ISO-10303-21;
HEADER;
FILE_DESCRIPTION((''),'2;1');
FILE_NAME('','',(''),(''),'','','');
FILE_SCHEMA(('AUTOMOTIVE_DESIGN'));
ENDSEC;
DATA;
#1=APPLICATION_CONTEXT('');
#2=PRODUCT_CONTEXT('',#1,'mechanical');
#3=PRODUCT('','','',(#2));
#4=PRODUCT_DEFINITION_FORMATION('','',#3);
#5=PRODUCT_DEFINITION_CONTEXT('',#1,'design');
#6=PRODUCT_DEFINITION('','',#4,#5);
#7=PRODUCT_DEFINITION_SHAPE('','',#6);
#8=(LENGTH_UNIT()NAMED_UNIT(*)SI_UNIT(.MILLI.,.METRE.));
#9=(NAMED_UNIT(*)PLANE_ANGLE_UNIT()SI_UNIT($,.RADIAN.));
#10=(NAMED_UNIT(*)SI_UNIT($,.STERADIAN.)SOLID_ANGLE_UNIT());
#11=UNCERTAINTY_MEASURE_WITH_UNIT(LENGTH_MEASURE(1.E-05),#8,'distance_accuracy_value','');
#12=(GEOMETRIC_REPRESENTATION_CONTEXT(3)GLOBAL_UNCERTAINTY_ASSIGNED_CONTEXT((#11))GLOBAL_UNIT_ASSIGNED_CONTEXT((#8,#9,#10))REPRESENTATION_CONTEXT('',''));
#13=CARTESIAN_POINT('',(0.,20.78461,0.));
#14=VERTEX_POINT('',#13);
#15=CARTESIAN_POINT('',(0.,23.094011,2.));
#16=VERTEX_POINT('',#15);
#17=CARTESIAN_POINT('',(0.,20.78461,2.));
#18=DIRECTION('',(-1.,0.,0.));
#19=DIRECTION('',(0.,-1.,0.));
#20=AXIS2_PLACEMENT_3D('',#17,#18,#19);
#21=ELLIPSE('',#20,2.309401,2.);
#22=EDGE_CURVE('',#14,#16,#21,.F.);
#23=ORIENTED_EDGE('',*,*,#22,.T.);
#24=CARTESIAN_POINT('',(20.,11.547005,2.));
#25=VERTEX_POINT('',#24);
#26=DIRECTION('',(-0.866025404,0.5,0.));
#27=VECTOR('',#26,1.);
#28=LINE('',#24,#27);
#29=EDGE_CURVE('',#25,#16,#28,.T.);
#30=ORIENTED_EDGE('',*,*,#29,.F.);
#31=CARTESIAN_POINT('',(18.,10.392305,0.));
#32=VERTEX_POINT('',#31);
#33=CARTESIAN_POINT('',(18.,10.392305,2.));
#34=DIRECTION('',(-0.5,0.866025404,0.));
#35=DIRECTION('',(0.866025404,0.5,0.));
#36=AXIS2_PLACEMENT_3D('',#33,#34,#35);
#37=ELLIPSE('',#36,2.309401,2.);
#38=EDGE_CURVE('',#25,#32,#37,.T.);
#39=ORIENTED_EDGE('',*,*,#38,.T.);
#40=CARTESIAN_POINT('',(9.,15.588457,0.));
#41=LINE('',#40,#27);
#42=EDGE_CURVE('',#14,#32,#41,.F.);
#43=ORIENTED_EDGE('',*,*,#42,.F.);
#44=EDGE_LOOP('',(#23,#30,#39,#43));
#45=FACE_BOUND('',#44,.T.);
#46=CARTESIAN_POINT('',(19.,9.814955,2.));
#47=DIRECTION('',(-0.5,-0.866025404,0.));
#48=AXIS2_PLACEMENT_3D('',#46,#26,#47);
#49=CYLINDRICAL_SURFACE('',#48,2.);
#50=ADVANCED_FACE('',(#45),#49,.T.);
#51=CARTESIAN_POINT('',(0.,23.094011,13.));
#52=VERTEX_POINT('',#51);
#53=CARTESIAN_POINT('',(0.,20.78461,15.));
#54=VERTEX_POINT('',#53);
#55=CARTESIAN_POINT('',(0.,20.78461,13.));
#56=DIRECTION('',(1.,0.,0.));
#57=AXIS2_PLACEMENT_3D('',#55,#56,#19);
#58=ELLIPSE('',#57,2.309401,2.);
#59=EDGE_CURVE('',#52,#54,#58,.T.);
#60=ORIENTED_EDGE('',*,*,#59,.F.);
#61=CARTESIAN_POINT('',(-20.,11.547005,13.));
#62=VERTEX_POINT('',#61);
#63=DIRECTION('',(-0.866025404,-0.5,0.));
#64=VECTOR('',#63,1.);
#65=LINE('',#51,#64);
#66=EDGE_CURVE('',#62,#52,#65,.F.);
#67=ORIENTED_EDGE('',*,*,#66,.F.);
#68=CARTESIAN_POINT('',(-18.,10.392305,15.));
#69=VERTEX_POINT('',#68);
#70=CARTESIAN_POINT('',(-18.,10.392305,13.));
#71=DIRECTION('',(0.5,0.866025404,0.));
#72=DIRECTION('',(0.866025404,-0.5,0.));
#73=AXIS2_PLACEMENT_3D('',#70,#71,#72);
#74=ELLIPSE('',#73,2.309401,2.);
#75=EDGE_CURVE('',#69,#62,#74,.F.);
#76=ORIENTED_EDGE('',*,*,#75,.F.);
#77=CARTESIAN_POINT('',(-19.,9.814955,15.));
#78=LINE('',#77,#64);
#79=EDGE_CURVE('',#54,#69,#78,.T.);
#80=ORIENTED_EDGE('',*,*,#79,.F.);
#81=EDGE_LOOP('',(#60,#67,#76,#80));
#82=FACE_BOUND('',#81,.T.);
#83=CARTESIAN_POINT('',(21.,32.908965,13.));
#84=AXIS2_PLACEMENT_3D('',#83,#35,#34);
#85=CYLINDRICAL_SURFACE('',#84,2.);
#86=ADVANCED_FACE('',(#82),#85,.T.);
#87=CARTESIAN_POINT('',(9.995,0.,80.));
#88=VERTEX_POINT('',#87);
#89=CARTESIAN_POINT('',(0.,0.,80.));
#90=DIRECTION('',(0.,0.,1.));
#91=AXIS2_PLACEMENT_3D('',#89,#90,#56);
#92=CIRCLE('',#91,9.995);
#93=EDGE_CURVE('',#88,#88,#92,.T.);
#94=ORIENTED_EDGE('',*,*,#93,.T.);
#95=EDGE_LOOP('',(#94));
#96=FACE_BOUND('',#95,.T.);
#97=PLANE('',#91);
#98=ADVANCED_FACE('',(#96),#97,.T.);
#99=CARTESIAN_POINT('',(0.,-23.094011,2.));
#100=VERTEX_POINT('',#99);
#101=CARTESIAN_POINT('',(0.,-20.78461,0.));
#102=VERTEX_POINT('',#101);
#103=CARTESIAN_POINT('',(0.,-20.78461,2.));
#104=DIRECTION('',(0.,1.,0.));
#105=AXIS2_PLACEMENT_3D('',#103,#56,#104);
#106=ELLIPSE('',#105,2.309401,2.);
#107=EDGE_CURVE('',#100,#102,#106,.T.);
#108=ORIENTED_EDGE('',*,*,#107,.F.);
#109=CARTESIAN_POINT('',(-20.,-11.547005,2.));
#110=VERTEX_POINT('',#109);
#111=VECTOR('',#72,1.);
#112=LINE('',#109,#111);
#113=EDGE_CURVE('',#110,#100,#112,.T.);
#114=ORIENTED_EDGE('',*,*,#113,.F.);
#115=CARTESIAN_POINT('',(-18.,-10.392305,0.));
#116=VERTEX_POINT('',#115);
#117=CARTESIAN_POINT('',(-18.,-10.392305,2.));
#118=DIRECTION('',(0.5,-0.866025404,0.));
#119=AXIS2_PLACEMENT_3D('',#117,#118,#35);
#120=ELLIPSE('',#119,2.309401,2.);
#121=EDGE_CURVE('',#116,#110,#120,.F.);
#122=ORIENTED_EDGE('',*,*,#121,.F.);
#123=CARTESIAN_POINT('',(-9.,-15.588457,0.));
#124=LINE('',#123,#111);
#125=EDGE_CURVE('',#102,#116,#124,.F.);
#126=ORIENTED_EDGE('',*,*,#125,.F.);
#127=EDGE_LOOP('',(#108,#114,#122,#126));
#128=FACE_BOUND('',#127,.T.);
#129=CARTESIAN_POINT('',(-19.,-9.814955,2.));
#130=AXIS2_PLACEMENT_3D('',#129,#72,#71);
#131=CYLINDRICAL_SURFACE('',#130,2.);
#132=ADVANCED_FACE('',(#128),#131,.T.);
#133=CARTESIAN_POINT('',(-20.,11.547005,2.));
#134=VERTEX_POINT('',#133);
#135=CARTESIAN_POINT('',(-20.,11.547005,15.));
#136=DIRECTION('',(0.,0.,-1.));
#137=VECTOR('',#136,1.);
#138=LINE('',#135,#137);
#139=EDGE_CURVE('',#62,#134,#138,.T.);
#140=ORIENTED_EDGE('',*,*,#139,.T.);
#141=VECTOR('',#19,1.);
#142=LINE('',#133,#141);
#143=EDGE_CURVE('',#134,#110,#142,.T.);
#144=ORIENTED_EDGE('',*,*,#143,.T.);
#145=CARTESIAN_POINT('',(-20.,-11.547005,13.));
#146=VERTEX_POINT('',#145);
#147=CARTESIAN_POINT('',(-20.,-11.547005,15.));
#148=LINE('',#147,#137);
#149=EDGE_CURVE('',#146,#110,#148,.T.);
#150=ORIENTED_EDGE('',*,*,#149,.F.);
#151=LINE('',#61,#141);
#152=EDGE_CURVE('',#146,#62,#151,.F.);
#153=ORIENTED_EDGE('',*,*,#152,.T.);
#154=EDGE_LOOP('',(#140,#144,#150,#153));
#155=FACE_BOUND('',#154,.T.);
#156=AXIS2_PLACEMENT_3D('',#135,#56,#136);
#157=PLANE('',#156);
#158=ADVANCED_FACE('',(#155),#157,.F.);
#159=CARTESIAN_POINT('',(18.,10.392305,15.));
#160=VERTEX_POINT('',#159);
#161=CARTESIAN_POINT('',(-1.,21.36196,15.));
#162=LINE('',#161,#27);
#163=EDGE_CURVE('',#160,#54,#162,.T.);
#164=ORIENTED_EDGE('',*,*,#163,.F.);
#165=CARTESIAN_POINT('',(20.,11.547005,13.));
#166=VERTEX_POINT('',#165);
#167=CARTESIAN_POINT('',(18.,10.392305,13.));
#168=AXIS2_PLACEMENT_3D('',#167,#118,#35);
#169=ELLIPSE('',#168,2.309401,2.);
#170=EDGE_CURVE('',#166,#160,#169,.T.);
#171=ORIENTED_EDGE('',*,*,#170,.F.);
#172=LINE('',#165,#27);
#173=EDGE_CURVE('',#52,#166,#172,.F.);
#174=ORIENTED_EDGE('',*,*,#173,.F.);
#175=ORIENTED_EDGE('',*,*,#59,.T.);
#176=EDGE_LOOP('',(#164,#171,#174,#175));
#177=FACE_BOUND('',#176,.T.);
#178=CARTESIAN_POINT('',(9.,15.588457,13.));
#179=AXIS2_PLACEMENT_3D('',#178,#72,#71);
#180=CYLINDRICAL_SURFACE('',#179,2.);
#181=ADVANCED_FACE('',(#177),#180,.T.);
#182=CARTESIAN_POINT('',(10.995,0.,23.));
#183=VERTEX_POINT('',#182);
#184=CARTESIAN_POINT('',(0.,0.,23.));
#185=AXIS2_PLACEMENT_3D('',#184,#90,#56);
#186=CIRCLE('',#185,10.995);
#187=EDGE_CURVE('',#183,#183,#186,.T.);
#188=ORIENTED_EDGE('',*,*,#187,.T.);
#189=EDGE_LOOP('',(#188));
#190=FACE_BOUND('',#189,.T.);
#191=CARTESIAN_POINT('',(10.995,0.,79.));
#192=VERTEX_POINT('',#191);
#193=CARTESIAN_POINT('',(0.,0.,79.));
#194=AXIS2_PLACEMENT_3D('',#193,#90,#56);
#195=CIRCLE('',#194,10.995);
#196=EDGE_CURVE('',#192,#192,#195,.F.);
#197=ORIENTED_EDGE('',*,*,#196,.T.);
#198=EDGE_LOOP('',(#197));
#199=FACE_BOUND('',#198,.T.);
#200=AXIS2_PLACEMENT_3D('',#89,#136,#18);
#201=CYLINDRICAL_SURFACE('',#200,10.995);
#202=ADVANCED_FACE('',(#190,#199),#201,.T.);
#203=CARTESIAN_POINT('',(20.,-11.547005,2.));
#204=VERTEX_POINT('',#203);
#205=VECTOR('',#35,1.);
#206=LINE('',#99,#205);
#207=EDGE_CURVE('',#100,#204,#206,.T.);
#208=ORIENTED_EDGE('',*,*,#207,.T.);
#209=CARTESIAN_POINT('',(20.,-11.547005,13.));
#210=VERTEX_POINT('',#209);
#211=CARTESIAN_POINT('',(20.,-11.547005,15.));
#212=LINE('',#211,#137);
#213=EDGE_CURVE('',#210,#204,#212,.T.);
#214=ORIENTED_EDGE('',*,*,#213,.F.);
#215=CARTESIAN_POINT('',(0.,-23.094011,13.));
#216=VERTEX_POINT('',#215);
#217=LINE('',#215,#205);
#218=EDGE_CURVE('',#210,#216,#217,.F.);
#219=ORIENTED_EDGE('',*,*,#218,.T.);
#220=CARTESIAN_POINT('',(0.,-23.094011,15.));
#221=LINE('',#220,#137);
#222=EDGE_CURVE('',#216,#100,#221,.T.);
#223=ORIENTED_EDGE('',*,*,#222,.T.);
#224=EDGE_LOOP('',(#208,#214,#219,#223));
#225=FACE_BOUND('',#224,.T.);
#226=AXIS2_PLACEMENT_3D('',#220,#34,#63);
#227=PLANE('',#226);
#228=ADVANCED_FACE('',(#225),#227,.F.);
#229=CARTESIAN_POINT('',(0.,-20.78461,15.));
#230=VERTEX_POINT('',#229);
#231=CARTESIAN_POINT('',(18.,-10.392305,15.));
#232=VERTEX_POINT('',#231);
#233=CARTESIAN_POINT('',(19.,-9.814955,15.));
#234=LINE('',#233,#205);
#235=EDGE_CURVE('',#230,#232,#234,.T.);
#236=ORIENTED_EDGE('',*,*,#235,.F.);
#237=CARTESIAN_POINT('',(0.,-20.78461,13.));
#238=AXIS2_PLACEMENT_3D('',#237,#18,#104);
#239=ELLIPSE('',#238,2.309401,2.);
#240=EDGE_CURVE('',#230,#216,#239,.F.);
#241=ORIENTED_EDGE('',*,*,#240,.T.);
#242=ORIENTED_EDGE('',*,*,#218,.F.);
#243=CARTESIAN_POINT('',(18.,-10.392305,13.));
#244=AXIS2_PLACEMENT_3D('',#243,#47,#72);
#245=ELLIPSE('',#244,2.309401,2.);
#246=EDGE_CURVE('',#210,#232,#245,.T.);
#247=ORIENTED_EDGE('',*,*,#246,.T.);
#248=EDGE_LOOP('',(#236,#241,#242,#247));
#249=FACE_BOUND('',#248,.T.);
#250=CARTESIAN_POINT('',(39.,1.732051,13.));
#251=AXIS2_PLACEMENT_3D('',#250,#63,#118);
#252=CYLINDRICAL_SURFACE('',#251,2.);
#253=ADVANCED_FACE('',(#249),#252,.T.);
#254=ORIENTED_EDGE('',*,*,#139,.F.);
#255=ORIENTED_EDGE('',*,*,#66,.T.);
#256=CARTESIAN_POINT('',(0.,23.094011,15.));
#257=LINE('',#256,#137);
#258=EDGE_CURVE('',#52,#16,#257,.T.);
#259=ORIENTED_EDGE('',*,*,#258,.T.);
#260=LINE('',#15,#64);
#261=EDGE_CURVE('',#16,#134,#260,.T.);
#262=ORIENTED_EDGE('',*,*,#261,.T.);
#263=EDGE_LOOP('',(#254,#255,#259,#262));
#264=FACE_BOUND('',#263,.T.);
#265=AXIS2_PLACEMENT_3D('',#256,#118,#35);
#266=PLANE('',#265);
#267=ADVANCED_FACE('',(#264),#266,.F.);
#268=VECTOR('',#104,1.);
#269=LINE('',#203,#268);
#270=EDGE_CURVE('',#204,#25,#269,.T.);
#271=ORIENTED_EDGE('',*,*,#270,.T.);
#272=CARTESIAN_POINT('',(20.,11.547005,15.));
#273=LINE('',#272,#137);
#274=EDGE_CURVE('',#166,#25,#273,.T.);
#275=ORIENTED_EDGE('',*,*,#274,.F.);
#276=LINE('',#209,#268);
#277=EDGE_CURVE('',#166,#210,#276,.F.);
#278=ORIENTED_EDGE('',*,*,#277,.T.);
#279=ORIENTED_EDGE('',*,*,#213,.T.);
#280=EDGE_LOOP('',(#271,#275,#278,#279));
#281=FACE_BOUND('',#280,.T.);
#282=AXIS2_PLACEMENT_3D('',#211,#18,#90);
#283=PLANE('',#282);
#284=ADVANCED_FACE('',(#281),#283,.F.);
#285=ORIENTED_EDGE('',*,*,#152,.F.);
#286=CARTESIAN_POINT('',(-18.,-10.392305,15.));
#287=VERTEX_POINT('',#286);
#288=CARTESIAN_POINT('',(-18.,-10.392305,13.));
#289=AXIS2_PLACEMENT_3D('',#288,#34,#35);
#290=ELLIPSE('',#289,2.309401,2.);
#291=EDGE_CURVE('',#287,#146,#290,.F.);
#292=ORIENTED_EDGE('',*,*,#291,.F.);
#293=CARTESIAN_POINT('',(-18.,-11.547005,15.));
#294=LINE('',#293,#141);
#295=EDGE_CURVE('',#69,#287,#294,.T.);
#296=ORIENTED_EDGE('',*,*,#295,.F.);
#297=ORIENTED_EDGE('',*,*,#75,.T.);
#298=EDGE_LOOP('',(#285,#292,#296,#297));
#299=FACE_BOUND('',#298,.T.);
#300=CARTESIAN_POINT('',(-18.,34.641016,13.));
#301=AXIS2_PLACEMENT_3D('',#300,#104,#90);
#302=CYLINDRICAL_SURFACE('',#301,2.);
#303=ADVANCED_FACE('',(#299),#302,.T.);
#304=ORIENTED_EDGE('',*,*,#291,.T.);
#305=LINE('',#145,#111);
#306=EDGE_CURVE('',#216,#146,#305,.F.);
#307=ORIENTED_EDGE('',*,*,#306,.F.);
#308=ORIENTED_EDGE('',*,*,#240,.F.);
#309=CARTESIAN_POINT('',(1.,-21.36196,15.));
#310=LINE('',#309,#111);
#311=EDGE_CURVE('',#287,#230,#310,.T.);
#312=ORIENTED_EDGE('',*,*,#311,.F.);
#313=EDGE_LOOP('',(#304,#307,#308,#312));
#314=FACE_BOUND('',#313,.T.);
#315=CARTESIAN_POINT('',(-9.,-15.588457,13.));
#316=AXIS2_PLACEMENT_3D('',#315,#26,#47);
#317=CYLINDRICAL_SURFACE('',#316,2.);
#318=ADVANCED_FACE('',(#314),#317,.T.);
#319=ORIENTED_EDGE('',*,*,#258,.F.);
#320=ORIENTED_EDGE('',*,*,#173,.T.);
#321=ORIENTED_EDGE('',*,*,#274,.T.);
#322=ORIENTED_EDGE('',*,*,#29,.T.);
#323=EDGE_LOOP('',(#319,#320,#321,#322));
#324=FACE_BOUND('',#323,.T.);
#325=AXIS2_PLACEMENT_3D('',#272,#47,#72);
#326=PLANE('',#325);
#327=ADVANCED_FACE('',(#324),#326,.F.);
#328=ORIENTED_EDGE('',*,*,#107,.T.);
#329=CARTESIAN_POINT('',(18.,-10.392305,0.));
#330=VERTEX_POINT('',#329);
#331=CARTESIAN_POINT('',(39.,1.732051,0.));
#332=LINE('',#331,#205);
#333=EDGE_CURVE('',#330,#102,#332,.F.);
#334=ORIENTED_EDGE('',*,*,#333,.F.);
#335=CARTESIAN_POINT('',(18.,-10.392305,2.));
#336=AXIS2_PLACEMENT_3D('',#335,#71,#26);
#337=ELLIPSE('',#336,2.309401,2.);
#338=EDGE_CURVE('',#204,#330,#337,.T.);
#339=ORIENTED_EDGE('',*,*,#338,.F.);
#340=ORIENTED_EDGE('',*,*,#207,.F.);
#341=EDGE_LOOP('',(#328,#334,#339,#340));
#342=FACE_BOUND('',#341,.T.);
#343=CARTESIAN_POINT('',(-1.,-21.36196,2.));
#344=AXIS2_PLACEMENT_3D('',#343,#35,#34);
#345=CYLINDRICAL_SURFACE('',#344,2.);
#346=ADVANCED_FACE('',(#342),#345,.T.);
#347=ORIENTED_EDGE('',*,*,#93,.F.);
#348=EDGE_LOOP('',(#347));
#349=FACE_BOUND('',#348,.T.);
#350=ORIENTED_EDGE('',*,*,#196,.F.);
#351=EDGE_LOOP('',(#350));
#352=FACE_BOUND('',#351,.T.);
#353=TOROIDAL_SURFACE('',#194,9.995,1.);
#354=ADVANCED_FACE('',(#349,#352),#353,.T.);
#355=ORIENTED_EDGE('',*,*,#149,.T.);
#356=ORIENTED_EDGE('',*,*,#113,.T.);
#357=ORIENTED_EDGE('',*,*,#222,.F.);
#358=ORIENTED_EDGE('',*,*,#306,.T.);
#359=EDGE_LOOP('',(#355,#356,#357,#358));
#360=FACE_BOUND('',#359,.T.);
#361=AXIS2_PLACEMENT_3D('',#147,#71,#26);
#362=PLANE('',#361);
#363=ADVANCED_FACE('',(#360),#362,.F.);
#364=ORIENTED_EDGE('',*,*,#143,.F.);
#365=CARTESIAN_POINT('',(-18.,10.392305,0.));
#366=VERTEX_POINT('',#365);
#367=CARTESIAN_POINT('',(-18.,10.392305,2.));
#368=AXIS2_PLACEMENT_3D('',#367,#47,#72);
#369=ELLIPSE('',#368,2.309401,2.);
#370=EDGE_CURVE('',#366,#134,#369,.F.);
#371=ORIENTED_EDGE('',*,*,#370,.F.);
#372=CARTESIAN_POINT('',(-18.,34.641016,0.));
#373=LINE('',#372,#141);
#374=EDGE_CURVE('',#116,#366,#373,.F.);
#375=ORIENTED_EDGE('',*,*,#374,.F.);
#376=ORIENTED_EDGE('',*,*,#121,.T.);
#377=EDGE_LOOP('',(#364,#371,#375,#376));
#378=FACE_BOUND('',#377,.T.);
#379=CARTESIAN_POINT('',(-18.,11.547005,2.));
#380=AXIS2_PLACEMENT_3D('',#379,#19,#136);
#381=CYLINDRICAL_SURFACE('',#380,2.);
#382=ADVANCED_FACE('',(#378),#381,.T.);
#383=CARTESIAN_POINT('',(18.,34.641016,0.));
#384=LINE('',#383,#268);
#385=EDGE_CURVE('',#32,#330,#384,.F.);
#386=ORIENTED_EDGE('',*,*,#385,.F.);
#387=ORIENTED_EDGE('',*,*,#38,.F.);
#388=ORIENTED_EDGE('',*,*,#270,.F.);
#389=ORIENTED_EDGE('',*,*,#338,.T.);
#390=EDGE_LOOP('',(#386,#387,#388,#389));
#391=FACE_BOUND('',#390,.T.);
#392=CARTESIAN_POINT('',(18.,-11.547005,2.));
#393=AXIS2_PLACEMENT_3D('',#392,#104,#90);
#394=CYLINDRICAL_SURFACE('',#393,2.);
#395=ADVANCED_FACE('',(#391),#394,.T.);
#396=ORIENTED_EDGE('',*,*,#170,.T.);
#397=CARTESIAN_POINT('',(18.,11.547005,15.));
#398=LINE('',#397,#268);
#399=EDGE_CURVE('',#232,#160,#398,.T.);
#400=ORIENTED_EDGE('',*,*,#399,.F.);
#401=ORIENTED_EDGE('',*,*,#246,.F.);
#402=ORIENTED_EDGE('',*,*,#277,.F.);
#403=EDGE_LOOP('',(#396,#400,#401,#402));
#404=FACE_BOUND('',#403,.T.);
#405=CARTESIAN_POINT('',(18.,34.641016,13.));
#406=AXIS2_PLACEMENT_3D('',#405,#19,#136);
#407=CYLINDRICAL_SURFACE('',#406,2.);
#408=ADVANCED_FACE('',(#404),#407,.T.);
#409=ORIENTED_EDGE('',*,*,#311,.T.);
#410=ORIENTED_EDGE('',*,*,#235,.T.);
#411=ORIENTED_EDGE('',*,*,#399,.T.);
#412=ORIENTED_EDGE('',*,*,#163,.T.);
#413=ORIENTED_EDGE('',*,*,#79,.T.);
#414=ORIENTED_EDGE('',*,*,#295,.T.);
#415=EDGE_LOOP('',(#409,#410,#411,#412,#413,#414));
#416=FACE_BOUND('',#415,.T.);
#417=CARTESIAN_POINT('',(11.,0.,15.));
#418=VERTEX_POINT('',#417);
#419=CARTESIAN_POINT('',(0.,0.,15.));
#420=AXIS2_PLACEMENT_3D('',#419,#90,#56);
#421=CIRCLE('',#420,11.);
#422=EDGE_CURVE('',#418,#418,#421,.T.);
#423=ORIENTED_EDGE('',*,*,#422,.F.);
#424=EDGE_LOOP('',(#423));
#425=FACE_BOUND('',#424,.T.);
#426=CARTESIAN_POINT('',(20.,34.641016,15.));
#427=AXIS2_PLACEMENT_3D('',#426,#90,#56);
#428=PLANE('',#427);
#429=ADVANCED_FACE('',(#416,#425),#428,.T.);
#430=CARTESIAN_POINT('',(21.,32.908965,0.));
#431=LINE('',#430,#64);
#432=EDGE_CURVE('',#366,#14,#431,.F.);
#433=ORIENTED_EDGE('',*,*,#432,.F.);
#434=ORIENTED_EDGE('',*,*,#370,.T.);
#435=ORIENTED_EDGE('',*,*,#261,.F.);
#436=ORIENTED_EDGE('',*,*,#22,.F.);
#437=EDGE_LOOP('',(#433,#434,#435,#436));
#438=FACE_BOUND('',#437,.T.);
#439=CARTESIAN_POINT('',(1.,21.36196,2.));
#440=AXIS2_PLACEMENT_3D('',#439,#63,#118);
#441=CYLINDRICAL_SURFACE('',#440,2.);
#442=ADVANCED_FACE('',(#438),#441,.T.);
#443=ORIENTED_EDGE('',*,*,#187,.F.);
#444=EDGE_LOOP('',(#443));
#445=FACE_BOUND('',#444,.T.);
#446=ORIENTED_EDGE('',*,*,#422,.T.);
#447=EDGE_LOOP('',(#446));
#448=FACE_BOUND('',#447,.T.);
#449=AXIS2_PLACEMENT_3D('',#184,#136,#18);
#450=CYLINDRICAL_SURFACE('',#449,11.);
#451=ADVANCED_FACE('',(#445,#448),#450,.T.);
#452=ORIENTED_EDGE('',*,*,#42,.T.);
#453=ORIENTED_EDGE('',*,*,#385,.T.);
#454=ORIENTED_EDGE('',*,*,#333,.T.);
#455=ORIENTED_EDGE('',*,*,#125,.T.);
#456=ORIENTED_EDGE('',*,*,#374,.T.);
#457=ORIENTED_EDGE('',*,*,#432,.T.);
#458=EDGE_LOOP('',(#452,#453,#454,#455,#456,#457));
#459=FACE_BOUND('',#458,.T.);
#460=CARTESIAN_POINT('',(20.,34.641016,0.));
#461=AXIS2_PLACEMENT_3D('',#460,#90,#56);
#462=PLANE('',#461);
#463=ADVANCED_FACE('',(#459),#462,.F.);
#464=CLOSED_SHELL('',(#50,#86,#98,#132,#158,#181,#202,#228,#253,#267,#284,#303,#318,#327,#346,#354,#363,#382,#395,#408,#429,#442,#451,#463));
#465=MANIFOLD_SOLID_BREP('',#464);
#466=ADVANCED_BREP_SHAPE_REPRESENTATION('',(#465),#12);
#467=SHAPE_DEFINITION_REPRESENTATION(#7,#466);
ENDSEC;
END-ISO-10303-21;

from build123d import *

# Parameters (mm, degrees)
EXTRUDE_437_DEPTH = 15
SKETCH_2_R        = 11
EXTRUDE_1_DEPTH   = 8
FILLET_3_R        = 2
SKETCH_3_R        = 10.995
EXTRUDE_1_2_DEPTH = 57
FILLET_4_R        = 1


with BuildPart() as part:
    # 草图1 → Extrude 437 (new body)
    with BuildSketch(Plane.XY):
        Polygon((20, 11.547005384), (0, 23.094010768), (-20, 11.547005384), (-20, -11.547005384), (0, -23.094010768), (20, -11.547005384), align=None)
    extrude(amount=EXTRUDE_437_DEPTH)

    # 草图2 → Extrude 1 (add)
    with BuildSketch(Plane.XY.offset(15)):
        Circle(SKETCH_2_R)
    extrude(amount=EXTRUDE_1_DEPTH)

    # 圆角3
    fillet_3_edges = [part.edges().sort_by_distance(p)[0] for p in [
        (-10, 17.320508076, 15),
        (-20, 0, 15),
        (-10, -17.320508076, 15),
        (10, -17.320508076, 15),
        (20, 0, 15),
        (10, -17.320508076, 0),
        (-10, -17.320508076, 0),
        (-20, 0, 0),
        (10, 17.320508076, 15),
        (-10, 17.320508076, 0),
        (10, 17.320508076, 0),
        (20, 0, 0),
    ]]
    fillet(fillet_3_edges, radius=FILLET_3_R)

    # 草图3 → Extrude 1 2 (add)
    with BuildSketch(Plane.XY.offset(23)):
        Circle(SKETCH_3_R)
    extrude(amount=EXTRUDE_1_2_DEPTH)

    # 圆角4
    fillet_4_edges = [part.edges().sort_by_distance(p)[0] for p in [
        (-10.995, 0, 80),
    ]]
    fillet(fillet_4_edges, radius=FILLET_4_R)


solid = part.part
